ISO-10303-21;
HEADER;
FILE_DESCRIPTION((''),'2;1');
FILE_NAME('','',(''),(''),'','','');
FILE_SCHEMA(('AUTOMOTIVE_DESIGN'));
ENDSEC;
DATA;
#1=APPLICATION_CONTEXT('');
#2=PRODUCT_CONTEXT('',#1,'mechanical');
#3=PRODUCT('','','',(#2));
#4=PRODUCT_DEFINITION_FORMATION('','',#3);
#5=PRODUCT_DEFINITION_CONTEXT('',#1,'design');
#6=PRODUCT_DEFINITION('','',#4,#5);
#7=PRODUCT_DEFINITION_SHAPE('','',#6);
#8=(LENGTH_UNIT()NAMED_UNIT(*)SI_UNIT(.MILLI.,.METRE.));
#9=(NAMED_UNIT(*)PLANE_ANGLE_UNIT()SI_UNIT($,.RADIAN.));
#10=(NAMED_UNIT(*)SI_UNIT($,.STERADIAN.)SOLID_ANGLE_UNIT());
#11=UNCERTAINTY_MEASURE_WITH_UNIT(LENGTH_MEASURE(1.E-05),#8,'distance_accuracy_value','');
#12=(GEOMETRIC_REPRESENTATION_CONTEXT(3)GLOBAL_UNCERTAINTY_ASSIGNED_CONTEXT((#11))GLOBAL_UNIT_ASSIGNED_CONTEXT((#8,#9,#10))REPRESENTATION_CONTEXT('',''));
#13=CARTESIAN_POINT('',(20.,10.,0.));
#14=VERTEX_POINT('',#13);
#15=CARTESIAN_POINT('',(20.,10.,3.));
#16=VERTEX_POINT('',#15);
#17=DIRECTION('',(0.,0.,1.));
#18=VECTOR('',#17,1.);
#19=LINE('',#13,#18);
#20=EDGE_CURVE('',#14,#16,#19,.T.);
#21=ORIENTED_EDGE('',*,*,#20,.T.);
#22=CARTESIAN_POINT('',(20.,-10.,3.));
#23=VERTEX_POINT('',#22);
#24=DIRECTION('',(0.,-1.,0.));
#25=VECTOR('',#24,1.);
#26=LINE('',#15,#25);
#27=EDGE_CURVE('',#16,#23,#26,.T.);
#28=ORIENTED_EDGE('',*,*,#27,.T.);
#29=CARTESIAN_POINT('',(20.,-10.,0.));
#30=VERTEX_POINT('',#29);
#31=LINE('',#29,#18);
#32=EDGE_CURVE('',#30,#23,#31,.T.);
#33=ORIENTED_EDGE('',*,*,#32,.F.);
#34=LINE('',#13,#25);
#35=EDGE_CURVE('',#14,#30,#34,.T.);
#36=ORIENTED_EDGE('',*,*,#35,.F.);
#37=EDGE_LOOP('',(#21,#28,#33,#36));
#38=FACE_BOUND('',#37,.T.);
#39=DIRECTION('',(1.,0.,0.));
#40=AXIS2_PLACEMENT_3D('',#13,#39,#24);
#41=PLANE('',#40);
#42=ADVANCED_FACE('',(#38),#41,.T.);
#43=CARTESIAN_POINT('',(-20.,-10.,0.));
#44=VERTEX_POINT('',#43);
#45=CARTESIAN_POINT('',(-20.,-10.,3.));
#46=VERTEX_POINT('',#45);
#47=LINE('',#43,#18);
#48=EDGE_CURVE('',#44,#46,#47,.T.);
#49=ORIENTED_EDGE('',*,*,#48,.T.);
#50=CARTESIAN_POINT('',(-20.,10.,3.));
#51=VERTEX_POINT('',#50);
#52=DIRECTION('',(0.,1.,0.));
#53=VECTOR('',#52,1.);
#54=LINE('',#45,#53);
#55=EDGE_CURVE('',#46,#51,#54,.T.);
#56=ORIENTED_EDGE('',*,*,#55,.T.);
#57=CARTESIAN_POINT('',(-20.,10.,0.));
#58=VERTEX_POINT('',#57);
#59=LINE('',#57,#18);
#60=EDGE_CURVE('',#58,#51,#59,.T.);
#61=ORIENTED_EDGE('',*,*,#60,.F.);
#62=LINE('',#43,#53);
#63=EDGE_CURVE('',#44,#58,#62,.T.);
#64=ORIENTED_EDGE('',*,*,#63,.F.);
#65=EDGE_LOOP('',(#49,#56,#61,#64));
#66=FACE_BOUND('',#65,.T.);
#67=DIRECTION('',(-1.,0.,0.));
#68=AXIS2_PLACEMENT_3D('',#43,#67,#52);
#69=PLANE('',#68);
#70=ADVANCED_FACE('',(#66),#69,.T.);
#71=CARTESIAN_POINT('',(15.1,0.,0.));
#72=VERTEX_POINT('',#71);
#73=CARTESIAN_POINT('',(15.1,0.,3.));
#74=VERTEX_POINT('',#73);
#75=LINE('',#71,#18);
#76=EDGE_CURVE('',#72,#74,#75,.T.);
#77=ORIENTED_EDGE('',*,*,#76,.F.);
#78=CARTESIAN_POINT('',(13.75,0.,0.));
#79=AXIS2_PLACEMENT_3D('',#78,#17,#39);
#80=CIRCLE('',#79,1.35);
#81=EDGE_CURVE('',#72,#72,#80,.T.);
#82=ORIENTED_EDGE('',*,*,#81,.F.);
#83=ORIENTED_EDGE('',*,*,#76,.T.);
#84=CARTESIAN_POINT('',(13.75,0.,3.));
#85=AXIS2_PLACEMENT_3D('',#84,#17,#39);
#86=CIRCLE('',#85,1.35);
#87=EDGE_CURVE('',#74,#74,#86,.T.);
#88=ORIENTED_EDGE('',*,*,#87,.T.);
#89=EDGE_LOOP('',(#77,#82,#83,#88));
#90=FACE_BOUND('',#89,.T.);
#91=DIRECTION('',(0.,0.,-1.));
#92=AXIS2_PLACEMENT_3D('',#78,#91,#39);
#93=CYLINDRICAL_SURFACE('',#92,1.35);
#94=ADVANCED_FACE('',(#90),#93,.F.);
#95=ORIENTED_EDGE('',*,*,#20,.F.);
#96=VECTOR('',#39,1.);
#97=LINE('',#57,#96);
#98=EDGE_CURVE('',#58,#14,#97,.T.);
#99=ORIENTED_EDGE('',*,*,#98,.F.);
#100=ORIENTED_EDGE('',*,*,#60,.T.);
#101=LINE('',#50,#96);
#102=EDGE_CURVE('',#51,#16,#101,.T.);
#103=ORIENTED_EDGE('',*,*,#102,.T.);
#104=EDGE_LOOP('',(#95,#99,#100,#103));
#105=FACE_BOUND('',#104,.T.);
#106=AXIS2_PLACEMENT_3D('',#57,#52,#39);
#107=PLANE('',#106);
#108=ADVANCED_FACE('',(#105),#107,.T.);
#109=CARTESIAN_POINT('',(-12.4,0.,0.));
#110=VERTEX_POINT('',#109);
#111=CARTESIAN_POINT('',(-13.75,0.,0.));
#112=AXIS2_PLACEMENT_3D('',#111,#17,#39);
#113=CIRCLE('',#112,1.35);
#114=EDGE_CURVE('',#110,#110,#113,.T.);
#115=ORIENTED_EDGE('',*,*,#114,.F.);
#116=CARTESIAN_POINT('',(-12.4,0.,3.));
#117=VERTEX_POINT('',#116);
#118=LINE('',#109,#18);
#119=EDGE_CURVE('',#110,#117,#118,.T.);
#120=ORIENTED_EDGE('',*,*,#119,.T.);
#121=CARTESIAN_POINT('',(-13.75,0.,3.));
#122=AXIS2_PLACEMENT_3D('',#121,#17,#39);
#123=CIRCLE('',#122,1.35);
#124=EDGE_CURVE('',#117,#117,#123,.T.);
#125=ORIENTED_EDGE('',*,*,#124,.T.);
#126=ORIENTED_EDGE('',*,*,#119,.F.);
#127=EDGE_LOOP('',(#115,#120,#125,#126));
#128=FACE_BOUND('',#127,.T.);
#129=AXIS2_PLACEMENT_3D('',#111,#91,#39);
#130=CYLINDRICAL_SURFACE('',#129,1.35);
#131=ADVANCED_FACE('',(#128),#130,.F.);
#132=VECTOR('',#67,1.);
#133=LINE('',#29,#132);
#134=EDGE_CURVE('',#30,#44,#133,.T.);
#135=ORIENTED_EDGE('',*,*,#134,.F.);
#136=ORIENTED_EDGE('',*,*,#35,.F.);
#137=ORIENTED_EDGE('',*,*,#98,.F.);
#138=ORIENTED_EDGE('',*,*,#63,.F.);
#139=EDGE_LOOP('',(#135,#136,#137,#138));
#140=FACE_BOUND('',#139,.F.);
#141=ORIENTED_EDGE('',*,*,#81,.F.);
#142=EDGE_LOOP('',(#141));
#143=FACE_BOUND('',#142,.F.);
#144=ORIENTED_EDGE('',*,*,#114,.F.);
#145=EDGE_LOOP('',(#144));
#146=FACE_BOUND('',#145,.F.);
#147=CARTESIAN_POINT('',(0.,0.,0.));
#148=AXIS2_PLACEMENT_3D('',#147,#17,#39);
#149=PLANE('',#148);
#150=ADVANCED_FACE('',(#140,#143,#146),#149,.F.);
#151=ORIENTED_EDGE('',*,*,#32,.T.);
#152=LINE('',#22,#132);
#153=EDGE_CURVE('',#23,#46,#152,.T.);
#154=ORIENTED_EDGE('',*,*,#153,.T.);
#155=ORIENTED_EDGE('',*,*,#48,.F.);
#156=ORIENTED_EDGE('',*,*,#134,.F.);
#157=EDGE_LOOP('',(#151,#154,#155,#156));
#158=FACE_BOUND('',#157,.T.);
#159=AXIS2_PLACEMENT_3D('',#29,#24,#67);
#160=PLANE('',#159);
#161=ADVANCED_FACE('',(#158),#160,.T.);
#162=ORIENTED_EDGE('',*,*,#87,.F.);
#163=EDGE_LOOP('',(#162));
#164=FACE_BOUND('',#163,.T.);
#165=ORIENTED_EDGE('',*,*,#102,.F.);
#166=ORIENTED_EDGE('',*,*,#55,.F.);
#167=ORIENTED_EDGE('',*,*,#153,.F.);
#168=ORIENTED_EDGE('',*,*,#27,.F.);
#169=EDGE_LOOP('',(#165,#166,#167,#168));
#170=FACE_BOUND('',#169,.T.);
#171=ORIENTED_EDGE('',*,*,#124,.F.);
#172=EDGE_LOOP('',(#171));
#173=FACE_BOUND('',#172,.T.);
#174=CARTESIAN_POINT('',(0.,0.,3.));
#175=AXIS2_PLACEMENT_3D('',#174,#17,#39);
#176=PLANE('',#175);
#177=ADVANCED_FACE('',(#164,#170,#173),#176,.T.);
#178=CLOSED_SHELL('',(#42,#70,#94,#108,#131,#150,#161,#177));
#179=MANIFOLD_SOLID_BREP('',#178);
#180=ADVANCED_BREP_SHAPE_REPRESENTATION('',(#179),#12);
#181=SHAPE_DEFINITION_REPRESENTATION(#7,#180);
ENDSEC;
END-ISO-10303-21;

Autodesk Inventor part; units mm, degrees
ref_plane "YZ Plane" through (0, 0, 0) normal (1, 0, 0) x (0, 1, 0)
ref_plane "XZ Plane" through (0, 0, 0) normal (0, 1, 0) x (-1, 0, 0)
ref_plane "XY Plane" through (0, 0, 0) normal (0, 0, 1) x (1, 0, 0)
sketch "Sketch1" plane through (0, 0, 0) normal (0, 0, 1) x (1, 0, 0)
  line L0 (-20, 10) -> (20, 10)
  line L1 (20, 10) -> (20, -10)
  line L2 (20, -10) -> (-20, -10)
  line L3 (-20, -10) -> (-20, 10)
  line L4 (-20, 10) -> (20, -10) construction
  line L5 (20, 10) -> (-20, -10) construction
  line L6 (7.5, 25) -> (-7.5, 25) construction
  line L7 (-7.5, 25) -> (-7.5, -25) construction
  line L8 (-7.5, -25) -> (7.5, -25) construction
  line L9 (7.5, -25) -> (7.5, 25) construction
  line L10 (-28, 0) -> (28, 0) construction
  circle A0 centre (13.75, 0) radius 1.35
  circle A1 centre (-13.75, 0) radius 1.35
  point P0 (0, 0)
  dimension "d0" = 40
  dimension "d1" = 20
  dimension "d2" = 2.7
  dimension "d3" = 2.7
  dimension "d4" = 12.5
  dimension "d5" = 6.25
  dimension "d6" = 6.25
extrude "Extrusion1" add sketch "Sketch1" along normal blind 3
equation "\"d5\" = 0.5 * d4"
equation "\"d6\" = d5"
